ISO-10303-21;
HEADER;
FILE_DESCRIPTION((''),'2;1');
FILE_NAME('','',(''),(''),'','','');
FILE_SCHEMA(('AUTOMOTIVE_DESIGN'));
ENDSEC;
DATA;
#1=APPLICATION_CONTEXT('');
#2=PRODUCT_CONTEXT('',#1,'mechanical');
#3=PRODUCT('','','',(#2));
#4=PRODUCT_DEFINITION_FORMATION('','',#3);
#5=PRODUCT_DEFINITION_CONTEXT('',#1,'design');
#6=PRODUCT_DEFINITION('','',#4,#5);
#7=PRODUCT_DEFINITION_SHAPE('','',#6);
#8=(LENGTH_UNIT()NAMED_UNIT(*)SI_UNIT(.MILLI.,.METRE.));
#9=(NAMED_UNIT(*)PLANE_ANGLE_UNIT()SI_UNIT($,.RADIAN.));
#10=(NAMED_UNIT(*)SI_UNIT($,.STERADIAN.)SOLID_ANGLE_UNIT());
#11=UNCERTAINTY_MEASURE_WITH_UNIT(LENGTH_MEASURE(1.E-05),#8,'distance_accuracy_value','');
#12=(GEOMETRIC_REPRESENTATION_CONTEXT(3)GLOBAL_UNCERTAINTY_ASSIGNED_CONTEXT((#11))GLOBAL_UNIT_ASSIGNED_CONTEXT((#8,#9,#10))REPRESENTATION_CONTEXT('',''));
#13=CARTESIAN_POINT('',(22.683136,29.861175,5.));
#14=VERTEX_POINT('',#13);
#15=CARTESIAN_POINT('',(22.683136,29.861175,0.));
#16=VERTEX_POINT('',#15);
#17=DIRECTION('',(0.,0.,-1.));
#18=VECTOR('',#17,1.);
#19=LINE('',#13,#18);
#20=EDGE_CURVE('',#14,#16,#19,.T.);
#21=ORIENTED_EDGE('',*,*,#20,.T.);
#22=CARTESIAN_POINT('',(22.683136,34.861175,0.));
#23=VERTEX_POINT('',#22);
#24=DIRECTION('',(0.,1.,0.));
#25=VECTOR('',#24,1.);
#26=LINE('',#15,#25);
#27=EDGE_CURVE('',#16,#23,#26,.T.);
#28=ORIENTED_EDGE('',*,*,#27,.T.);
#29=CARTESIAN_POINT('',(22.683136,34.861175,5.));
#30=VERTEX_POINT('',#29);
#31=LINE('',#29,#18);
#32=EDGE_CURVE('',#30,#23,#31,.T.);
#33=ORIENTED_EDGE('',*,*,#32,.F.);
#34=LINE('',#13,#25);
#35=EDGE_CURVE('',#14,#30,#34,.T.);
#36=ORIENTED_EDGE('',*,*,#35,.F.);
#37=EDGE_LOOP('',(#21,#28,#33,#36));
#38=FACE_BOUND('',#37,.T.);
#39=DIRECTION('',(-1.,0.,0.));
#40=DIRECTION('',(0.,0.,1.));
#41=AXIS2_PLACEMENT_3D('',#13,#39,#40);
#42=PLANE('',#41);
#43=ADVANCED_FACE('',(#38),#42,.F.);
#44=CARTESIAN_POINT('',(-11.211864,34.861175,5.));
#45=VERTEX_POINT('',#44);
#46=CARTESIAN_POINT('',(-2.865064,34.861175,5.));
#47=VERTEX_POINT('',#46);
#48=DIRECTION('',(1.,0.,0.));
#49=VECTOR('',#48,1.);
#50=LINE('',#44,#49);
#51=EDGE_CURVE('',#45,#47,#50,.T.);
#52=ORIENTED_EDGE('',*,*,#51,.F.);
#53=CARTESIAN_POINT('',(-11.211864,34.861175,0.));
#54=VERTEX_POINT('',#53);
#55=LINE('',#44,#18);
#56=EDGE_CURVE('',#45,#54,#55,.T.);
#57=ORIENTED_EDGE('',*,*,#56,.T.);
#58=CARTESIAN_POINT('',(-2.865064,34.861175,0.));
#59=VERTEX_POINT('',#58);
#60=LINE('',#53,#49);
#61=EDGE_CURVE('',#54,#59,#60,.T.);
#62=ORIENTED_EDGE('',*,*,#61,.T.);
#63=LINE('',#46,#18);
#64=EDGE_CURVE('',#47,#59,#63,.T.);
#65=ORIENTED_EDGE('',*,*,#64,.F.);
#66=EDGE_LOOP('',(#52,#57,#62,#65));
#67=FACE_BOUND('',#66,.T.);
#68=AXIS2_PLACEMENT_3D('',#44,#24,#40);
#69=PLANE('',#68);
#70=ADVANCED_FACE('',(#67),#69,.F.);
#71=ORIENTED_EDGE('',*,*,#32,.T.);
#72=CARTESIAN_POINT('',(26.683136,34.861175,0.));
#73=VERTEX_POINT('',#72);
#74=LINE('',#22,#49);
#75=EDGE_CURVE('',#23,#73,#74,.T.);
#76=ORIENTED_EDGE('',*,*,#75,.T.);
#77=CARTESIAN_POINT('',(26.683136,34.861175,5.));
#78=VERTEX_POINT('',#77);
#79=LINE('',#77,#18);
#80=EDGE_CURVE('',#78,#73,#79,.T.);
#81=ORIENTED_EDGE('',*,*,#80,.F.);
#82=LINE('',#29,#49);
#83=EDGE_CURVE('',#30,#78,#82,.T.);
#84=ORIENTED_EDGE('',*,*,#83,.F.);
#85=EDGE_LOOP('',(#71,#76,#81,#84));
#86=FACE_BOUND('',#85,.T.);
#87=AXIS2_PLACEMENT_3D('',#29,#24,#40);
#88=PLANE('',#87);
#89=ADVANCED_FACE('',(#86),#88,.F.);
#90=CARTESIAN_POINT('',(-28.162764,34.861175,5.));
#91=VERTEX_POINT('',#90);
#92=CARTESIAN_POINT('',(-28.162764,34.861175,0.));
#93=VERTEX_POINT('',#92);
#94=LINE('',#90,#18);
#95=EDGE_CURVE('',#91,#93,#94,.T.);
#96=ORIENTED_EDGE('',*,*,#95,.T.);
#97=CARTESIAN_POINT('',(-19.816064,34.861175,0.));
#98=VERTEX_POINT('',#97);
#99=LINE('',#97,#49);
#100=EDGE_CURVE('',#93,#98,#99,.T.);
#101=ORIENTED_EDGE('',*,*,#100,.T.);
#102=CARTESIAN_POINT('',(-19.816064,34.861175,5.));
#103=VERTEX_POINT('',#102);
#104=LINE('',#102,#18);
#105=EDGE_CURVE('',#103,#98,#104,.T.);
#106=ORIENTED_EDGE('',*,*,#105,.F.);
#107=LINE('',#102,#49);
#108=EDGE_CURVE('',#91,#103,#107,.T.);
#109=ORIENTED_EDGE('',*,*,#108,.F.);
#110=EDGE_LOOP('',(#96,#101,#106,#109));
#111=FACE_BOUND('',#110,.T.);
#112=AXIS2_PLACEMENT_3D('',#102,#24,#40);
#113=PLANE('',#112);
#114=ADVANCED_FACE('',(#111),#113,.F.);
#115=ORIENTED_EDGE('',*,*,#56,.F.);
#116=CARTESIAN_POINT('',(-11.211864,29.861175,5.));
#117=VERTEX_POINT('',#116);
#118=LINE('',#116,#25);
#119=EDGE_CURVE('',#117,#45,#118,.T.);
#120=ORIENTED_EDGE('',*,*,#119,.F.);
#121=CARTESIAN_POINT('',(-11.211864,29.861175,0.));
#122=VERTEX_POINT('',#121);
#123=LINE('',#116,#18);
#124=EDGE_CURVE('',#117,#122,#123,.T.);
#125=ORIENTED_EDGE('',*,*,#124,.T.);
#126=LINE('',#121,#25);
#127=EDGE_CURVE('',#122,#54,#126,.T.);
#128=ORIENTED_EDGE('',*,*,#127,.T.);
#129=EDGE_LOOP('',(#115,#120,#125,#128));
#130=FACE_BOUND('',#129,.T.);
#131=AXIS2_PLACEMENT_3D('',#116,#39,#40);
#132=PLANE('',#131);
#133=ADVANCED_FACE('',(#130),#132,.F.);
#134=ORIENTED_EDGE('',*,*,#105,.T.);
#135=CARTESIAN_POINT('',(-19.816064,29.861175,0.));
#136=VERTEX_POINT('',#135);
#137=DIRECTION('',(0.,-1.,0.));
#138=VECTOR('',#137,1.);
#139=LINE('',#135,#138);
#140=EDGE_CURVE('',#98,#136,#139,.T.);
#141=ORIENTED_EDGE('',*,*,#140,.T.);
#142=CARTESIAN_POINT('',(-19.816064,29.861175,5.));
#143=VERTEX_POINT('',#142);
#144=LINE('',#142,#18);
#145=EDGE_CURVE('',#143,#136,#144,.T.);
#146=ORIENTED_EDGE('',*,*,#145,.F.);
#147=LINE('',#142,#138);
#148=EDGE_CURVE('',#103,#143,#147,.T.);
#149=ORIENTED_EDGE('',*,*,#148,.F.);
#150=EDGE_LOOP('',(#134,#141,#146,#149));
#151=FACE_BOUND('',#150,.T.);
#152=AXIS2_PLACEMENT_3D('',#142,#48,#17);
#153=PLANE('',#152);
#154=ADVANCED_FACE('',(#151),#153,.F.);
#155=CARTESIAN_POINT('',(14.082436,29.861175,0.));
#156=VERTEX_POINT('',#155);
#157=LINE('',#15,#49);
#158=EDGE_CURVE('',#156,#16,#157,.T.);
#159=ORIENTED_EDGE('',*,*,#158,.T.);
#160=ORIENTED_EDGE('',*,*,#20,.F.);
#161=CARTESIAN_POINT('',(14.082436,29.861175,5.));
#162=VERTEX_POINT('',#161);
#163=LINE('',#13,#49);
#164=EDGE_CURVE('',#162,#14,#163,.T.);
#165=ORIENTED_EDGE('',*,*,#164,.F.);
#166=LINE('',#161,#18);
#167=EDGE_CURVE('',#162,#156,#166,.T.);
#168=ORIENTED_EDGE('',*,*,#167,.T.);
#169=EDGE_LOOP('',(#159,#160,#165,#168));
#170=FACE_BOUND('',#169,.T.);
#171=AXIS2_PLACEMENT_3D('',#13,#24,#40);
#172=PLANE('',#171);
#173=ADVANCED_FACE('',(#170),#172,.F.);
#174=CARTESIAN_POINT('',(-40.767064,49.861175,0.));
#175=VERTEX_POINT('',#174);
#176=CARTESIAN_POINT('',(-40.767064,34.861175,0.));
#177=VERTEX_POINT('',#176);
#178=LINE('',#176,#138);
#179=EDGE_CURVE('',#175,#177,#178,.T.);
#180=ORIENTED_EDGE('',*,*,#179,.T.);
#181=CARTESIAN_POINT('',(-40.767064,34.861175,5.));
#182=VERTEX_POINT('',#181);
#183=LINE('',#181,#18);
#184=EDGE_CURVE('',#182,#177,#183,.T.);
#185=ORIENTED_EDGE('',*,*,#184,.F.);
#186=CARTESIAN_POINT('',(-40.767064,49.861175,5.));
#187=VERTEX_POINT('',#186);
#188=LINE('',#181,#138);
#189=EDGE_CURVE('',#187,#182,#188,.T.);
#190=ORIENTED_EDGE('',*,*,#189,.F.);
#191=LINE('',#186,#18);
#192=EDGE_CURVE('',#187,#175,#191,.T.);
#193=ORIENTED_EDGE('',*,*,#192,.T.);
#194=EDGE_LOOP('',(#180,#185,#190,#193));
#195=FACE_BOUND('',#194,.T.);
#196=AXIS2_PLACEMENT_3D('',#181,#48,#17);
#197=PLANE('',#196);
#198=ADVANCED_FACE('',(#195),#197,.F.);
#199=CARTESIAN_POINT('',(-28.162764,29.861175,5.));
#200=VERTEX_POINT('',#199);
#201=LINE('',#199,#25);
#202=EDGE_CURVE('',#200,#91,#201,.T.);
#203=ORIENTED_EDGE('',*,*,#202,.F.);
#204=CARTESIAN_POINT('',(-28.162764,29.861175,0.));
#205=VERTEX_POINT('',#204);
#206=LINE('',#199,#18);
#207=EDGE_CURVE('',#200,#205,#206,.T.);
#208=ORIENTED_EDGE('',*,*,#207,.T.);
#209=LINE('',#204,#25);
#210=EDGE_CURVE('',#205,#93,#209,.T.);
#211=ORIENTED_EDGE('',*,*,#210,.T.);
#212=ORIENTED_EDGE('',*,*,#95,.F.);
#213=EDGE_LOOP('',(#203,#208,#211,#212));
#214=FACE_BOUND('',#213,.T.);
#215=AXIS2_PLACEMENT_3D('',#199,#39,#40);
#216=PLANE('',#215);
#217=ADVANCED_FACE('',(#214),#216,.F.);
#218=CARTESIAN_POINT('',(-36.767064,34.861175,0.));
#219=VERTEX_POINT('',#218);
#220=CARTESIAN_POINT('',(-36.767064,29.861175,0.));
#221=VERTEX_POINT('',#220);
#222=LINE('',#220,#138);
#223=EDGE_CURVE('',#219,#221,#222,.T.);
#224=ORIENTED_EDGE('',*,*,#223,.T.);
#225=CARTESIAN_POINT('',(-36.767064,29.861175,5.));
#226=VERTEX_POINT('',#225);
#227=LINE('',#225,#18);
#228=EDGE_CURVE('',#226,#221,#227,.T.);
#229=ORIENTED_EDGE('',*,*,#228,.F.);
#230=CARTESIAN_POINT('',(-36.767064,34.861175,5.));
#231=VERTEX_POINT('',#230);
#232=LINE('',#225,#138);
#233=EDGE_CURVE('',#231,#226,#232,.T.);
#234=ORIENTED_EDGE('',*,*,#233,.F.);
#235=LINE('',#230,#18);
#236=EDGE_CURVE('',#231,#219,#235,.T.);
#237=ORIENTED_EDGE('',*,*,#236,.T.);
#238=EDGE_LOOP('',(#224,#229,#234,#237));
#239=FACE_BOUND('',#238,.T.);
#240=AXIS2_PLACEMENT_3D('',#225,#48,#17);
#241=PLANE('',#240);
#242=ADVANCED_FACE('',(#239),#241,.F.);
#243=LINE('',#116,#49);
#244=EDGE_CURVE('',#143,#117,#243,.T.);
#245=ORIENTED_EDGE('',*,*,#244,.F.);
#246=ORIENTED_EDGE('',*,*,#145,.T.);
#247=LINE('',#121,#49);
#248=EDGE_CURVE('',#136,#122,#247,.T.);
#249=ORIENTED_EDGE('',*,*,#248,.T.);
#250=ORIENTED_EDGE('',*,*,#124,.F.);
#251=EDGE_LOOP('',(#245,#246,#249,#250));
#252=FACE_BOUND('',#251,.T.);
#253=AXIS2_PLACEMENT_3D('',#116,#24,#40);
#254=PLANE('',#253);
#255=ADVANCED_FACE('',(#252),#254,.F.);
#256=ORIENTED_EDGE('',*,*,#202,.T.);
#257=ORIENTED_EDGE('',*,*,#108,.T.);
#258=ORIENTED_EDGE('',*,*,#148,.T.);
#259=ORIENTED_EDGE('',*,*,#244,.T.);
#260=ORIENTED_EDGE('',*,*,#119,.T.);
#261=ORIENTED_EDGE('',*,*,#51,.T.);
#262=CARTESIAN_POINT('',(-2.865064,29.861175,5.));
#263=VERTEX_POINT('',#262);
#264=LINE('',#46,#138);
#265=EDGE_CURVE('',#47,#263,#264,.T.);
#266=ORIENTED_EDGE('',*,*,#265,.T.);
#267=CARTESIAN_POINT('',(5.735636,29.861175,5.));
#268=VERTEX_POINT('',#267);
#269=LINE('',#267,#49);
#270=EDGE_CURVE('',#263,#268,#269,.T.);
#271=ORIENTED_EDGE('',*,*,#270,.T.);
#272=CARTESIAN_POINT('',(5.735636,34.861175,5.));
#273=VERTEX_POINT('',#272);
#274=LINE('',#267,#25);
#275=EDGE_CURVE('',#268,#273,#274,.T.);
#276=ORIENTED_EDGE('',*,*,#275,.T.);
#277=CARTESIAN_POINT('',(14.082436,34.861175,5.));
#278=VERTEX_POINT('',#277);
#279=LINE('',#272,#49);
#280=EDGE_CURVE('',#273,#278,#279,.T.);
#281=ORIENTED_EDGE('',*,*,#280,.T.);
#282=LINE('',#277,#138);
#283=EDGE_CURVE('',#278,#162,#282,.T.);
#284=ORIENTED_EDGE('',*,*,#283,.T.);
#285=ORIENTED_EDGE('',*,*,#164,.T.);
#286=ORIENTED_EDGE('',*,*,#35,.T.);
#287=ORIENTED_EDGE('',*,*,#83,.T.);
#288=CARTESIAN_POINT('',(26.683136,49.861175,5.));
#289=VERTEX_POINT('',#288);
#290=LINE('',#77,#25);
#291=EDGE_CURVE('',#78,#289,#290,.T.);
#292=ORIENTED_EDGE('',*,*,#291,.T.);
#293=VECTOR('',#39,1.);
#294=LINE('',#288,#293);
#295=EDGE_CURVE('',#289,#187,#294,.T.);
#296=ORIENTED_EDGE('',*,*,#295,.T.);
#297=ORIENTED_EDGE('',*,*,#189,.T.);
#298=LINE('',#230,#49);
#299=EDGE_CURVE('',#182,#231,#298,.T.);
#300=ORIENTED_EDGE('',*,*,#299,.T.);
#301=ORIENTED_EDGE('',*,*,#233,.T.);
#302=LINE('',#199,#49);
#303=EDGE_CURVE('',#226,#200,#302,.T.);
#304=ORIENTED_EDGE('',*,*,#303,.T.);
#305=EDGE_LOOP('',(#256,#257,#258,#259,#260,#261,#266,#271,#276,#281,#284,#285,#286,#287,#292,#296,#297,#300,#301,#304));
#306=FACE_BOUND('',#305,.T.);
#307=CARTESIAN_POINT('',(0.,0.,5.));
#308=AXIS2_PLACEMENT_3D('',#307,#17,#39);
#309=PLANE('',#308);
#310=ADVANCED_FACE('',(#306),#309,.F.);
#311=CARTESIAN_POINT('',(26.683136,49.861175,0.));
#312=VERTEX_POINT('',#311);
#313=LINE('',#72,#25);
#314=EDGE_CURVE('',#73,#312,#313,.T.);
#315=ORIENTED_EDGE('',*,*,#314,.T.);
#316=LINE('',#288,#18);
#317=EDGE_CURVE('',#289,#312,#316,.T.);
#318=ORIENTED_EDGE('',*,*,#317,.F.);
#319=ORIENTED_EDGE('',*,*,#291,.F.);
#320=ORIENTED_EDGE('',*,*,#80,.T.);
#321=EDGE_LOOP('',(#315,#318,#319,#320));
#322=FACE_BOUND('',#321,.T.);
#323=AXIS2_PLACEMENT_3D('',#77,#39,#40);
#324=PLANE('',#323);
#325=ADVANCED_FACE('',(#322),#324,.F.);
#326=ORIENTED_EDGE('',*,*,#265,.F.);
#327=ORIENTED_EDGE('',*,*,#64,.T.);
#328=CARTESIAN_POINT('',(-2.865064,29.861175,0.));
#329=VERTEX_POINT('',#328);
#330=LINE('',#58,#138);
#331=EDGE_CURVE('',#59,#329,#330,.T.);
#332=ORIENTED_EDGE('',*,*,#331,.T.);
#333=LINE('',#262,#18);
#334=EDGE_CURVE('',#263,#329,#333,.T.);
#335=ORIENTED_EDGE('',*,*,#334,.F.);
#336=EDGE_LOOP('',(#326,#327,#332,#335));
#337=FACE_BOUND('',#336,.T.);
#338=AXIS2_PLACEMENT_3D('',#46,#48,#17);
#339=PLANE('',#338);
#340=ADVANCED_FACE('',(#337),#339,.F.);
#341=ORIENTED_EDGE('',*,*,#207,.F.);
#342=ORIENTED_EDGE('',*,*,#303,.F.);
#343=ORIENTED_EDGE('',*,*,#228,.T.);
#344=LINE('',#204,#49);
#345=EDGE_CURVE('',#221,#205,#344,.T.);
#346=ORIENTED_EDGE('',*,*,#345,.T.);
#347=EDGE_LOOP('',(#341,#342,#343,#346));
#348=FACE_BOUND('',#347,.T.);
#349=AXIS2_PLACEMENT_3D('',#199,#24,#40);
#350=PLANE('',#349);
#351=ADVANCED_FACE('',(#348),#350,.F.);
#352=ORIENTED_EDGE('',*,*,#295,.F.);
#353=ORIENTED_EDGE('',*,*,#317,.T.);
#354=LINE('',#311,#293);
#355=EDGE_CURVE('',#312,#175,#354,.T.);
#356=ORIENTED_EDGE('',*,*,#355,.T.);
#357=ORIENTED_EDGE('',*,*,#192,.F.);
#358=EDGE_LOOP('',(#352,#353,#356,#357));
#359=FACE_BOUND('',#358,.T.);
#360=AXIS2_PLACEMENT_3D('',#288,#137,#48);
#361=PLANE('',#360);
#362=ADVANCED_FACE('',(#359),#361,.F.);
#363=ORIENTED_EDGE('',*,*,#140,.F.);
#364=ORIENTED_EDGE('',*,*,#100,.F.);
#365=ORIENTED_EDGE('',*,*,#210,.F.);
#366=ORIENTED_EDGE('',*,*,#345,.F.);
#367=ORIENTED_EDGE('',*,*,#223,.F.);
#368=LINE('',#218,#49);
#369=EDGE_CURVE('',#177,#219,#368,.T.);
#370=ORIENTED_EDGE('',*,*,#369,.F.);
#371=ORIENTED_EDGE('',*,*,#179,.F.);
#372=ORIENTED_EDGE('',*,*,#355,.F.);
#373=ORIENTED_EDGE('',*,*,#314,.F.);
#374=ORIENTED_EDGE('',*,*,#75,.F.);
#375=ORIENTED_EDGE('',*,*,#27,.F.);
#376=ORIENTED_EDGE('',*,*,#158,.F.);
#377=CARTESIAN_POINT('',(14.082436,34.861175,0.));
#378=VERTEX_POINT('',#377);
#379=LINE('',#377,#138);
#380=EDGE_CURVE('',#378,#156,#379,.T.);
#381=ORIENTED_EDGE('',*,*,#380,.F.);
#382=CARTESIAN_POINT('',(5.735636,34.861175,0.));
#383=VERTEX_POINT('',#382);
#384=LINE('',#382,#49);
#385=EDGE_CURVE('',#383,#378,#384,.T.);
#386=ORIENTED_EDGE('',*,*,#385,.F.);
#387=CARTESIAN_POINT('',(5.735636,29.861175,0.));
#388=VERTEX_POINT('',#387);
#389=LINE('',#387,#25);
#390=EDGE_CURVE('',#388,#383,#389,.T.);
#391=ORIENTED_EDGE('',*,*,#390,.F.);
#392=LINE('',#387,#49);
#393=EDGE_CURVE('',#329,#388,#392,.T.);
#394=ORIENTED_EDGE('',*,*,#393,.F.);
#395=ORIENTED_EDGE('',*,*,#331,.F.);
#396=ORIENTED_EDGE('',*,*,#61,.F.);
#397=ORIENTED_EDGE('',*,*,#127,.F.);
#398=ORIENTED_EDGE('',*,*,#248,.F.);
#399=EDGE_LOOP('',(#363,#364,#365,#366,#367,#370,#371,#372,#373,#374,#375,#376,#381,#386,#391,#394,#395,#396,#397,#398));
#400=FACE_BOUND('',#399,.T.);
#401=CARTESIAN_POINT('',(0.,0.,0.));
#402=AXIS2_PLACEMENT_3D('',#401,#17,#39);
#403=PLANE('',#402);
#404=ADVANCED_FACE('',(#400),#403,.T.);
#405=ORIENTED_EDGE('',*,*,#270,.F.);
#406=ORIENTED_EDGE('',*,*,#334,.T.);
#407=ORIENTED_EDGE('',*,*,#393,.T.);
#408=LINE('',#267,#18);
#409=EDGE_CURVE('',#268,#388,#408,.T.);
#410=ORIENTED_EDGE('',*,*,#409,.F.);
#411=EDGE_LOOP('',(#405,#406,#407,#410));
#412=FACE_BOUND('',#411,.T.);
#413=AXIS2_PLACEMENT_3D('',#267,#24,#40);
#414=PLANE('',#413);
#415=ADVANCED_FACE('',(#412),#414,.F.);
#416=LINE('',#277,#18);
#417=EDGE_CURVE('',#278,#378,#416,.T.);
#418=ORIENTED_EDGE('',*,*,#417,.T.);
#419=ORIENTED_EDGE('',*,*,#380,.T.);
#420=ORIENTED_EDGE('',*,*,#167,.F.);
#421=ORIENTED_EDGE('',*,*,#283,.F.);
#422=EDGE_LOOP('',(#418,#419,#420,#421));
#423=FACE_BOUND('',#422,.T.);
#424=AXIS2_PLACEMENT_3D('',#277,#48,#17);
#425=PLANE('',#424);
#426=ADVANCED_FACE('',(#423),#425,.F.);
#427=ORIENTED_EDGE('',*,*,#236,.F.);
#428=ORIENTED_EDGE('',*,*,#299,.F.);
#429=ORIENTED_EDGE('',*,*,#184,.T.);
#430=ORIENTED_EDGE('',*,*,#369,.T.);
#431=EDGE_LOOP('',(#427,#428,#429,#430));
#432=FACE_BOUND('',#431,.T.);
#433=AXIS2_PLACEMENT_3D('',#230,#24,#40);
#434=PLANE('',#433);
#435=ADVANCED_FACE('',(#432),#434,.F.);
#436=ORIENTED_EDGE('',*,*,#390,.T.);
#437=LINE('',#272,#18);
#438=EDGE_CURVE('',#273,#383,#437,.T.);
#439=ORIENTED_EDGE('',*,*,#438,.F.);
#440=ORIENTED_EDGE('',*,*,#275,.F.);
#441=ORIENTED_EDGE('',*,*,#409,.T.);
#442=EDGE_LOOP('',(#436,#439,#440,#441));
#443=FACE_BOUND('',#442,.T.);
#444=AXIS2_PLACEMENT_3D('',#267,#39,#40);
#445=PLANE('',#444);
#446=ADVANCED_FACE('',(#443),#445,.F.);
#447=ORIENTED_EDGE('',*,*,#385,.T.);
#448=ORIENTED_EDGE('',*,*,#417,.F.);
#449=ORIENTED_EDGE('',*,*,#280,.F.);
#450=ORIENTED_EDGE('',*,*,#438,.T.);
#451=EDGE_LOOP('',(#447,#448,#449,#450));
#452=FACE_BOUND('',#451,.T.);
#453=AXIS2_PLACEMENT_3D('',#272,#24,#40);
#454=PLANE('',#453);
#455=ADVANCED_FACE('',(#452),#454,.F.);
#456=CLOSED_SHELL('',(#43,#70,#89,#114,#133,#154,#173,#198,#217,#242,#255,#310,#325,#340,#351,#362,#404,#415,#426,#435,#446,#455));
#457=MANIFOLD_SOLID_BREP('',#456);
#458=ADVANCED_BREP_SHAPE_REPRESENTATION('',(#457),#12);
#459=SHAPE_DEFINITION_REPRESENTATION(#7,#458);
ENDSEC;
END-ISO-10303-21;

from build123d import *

# Parameters (mm, degrees)
BOSS_EXTRUDE1_DEPTH = 5


with BuildPart() as part:
    # Sketch1 → Boss-Extrude1 (new body)
    with BuildSketch(Plane.XY):
        Polygon((5.735635818, 29.861174677), (-2.865064182, 29.861174677), (-2.865064182, 34.861174677), (-11.211864182, 34.861174677), (-11.211864182, 29.861174677), (-19.816064182, 29.861174677), (-19.816064182, 34.861174677), (-28.162764182, 34.861174677), (-28.162764182, 29.861174677), (-36.767064182, 29.861174677), (-36.767064182, 34.861174677), (-40.767064182, 34.861174677), (-40.767064182, 49.861174677), (26.683135818, 49.861174677), (26.683135818, 34.861174677), (22.683135818, 34.861174677), (22.683135818, 29.861174677), (14.082435818, 29.861174677), (14.082435818, 34.861174677), (5.735635818, 34.861174677), align=None)
    extrude(amount=BOSS_EXTRUDE1_DEPTH)


solid = part.part
